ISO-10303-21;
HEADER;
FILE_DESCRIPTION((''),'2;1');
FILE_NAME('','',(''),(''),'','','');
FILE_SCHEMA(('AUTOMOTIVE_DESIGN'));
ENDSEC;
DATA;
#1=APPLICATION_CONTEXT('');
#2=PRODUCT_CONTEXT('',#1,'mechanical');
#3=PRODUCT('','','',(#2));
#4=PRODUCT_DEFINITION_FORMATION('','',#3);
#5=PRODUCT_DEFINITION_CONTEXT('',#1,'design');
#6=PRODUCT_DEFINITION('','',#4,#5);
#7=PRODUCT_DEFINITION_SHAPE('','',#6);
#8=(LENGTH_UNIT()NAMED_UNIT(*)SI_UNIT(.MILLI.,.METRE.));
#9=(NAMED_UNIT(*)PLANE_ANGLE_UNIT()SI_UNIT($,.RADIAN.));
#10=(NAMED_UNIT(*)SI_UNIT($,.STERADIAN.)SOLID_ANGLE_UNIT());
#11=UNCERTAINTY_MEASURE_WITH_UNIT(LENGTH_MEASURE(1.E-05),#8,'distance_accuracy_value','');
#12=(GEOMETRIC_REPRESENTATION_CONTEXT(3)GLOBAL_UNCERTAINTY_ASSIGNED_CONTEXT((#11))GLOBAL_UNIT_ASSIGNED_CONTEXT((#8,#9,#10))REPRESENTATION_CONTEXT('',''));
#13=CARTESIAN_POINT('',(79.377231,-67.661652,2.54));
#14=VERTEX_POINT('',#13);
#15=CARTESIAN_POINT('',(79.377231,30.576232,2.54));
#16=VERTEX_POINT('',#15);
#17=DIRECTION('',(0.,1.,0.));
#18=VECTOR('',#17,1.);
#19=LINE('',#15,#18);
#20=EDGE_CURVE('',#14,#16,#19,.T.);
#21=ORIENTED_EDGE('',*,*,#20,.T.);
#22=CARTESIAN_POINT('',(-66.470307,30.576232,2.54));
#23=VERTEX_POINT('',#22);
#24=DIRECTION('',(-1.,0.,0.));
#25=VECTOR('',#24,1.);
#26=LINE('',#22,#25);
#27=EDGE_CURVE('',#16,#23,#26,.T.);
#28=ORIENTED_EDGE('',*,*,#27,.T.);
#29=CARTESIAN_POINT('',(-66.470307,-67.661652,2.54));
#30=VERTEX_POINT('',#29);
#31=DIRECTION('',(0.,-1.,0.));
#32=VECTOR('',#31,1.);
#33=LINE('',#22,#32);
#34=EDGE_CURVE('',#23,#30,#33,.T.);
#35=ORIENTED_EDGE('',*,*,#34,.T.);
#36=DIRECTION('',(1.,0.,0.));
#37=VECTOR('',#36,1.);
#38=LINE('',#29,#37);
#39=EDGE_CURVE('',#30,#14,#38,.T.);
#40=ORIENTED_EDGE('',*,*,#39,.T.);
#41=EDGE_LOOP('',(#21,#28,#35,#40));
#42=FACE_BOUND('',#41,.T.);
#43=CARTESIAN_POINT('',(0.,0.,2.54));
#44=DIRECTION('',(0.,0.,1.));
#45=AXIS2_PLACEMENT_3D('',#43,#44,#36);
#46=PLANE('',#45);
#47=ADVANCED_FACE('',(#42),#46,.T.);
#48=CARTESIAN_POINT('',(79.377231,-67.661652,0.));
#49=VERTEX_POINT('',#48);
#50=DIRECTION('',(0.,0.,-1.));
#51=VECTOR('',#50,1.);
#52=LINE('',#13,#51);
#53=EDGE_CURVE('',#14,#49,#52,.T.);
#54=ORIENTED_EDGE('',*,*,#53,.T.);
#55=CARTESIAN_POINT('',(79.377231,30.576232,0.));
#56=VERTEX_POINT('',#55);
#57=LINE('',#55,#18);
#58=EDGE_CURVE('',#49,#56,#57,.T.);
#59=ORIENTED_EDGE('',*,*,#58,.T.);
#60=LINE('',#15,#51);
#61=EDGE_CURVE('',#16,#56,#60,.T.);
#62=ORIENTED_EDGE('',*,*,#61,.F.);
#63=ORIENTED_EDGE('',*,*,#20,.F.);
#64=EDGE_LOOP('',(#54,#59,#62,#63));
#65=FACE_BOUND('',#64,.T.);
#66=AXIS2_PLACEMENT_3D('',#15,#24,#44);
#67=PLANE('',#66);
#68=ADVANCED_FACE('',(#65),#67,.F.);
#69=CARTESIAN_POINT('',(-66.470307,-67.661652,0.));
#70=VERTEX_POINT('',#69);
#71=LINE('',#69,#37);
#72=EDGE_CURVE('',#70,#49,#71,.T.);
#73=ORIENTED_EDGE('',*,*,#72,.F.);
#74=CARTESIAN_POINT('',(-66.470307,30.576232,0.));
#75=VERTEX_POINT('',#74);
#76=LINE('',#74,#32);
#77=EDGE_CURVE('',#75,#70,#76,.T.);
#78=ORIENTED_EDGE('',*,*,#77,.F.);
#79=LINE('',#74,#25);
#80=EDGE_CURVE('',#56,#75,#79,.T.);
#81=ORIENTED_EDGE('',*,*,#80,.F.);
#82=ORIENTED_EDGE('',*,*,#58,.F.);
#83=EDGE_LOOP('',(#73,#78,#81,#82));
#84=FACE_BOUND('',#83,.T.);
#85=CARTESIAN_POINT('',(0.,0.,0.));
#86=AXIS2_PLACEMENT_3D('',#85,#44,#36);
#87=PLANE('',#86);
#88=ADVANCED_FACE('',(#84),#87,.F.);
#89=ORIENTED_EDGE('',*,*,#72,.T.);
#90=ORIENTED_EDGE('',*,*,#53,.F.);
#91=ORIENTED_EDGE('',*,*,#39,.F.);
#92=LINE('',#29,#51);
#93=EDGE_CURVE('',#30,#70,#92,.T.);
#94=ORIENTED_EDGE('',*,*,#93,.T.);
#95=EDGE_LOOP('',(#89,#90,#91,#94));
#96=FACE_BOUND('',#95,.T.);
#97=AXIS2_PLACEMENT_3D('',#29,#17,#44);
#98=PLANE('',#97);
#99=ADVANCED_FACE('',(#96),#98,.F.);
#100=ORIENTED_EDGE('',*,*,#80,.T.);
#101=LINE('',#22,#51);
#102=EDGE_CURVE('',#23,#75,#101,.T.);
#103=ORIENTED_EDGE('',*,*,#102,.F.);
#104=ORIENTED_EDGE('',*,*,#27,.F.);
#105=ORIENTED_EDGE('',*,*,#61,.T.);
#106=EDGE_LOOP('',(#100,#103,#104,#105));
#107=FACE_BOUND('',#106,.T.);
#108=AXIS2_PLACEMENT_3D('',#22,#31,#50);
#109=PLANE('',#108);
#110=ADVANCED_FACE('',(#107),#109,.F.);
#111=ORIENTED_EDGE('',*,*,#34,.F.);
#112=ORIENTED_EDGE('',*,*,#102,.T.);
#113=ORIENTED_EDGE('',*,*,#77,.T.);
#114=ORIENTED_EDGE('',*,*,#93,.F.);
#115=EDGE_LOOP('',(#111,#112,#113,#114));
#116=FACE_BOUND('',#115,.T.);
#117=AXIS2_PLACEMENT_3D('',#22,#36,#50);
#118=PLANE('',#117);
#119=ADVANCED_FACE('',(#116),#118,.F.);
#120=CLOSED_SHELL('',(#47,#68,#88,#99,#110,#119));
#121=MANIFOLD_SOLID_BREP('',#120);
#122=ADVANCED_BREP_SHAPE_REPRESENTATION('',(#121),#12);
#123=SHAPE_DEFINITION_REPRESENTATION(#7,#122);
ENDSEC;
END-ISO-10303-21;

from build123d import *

# Parameters (mm, degrees)
SKETCH1_W           = 145.847538081
SKETCH1_H           = 98.237883514
BOSS_EXTRUDE1_DEPTH = 2.54


with BuildPart() as part:
    # Sketch1 → Boss-Extrude1 (new body)
    with BuildSketch(Plane.XY):
        with Locations((6.453461643, -18.542709895)):
            Rectangle(SKETCH1_W, SKETCH1_H)
    extrude(amount=BOSS_EXTRUDE1_DEPTH)


solid = part.part
